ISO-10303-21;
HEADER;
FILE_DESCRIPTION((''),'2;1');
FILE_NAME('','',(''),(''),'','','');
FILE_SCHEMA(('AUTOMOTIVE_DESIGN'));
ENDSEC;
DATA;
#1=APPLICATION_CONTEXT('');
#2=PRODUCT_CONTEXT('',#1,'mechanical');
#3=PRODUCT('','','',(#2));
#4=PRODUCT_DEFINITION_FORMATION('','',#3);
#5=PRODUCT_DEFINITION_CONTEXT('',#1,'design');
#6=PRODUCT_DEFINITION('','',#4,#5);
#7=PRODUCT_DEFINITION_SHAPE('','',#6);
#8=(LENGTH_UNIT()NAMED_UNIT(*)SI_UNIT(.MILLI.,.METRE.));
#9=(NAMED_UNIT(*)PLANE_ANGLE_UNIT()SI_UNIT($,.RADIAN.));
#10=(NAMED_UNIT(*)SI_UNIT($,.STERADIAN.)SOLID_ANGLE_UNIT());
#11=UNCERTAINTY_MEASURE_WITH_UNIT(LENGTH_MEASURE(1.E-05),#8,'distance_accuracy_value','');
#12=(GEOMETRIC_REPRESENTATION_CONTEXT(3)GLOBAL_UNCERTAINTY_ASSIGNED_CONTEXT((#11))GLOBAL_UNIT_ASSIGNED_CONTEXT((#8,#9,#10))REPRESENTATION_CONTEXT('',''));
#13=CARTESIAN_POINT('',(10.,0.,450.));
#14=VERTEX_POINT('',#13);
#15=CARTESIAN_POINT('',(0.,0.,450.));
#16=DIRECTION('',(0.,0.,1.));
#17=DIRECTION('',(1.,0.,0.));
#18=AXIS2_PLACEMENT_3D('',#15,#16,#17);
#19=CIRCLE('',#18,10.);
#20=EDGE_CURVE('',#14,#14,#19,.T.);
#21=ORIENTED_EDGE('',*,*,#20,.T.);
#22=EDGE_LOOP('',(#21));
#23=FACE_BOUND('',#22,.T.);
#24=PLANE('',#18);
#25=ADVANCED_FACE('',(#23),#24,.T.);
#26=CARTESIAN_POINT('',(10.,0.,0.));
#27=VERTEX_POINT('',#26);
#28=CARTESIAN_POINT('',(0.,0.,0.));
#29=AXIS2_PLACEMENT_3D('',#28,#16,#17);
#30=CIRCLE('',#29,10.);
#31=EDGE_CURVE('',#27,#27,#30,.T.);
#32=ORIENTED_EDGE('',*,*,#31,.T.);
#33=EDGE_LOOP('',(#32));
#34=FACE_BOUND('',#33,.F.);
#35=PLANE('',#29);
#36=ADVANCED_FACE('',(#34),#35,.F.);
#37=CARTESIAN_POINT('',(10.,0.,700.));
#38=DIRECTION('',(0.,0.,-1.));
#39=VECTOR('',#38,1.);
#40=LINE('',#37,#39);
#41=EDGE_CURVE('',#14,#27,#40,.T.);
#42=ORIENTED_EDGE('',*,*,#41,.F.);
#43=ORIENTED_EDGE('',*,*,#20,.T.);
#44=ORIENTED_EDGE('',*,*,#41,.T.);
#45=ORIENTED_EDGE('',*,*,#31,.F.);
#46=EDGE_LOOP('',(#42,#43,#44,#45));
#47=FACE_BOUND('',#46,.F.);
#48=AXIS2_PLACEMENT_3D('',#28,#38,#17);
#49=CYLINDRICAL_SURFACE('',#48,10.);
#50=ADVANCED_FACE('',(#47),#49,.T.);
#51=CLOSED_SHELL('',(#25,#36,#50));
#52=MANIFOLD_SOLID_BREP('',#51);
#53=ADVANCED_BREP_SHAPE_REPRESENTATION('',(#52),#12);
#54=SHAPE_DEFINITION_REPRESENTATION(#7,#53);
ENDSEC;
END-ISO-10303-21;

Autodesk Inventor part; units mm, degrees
ref_plane "YZ Plane" through (0, 0, 0) normal (1, 0, 0) x (0, 1, 0)
ref_plane "XZ Plane" through (0, 0, 0) normal (0, 1, 0) x (-1, 0, 0)
ref_plane "XY Plane" through (0, 0, 0) normal (0, 0, 1) x (1, 0, 0)
sketch "Skizze1" plane through (0, 0, 0) normal (0, 0, 1) x (1, 0, 0)
  circle A0 centre (0, 0) radius 10
  dimension "d0" = 20
extrude "Extrusion1" add sketch "Skizze1" along normal blind 300
sketch "Skizze2" plane through (0, 0, 300) normal (0, 0, 1) x (1, 0, 0)
  circle A0 centre (0, 0) radius 10 projected
extrude "Extrusion2" add sketch "Skizze2" along normal blind 400
sketch "Skizze3" plane through (0, 0, 700) normal (0, 0, 1) x (1, 0, 0)
  circle A0 centre (0, 0) radius 10 projected
extrude "Extrusion3" cut sketch "Skizze3" against normal blind 250
properties part number "pipe_700" material "Aluminium 6061"
